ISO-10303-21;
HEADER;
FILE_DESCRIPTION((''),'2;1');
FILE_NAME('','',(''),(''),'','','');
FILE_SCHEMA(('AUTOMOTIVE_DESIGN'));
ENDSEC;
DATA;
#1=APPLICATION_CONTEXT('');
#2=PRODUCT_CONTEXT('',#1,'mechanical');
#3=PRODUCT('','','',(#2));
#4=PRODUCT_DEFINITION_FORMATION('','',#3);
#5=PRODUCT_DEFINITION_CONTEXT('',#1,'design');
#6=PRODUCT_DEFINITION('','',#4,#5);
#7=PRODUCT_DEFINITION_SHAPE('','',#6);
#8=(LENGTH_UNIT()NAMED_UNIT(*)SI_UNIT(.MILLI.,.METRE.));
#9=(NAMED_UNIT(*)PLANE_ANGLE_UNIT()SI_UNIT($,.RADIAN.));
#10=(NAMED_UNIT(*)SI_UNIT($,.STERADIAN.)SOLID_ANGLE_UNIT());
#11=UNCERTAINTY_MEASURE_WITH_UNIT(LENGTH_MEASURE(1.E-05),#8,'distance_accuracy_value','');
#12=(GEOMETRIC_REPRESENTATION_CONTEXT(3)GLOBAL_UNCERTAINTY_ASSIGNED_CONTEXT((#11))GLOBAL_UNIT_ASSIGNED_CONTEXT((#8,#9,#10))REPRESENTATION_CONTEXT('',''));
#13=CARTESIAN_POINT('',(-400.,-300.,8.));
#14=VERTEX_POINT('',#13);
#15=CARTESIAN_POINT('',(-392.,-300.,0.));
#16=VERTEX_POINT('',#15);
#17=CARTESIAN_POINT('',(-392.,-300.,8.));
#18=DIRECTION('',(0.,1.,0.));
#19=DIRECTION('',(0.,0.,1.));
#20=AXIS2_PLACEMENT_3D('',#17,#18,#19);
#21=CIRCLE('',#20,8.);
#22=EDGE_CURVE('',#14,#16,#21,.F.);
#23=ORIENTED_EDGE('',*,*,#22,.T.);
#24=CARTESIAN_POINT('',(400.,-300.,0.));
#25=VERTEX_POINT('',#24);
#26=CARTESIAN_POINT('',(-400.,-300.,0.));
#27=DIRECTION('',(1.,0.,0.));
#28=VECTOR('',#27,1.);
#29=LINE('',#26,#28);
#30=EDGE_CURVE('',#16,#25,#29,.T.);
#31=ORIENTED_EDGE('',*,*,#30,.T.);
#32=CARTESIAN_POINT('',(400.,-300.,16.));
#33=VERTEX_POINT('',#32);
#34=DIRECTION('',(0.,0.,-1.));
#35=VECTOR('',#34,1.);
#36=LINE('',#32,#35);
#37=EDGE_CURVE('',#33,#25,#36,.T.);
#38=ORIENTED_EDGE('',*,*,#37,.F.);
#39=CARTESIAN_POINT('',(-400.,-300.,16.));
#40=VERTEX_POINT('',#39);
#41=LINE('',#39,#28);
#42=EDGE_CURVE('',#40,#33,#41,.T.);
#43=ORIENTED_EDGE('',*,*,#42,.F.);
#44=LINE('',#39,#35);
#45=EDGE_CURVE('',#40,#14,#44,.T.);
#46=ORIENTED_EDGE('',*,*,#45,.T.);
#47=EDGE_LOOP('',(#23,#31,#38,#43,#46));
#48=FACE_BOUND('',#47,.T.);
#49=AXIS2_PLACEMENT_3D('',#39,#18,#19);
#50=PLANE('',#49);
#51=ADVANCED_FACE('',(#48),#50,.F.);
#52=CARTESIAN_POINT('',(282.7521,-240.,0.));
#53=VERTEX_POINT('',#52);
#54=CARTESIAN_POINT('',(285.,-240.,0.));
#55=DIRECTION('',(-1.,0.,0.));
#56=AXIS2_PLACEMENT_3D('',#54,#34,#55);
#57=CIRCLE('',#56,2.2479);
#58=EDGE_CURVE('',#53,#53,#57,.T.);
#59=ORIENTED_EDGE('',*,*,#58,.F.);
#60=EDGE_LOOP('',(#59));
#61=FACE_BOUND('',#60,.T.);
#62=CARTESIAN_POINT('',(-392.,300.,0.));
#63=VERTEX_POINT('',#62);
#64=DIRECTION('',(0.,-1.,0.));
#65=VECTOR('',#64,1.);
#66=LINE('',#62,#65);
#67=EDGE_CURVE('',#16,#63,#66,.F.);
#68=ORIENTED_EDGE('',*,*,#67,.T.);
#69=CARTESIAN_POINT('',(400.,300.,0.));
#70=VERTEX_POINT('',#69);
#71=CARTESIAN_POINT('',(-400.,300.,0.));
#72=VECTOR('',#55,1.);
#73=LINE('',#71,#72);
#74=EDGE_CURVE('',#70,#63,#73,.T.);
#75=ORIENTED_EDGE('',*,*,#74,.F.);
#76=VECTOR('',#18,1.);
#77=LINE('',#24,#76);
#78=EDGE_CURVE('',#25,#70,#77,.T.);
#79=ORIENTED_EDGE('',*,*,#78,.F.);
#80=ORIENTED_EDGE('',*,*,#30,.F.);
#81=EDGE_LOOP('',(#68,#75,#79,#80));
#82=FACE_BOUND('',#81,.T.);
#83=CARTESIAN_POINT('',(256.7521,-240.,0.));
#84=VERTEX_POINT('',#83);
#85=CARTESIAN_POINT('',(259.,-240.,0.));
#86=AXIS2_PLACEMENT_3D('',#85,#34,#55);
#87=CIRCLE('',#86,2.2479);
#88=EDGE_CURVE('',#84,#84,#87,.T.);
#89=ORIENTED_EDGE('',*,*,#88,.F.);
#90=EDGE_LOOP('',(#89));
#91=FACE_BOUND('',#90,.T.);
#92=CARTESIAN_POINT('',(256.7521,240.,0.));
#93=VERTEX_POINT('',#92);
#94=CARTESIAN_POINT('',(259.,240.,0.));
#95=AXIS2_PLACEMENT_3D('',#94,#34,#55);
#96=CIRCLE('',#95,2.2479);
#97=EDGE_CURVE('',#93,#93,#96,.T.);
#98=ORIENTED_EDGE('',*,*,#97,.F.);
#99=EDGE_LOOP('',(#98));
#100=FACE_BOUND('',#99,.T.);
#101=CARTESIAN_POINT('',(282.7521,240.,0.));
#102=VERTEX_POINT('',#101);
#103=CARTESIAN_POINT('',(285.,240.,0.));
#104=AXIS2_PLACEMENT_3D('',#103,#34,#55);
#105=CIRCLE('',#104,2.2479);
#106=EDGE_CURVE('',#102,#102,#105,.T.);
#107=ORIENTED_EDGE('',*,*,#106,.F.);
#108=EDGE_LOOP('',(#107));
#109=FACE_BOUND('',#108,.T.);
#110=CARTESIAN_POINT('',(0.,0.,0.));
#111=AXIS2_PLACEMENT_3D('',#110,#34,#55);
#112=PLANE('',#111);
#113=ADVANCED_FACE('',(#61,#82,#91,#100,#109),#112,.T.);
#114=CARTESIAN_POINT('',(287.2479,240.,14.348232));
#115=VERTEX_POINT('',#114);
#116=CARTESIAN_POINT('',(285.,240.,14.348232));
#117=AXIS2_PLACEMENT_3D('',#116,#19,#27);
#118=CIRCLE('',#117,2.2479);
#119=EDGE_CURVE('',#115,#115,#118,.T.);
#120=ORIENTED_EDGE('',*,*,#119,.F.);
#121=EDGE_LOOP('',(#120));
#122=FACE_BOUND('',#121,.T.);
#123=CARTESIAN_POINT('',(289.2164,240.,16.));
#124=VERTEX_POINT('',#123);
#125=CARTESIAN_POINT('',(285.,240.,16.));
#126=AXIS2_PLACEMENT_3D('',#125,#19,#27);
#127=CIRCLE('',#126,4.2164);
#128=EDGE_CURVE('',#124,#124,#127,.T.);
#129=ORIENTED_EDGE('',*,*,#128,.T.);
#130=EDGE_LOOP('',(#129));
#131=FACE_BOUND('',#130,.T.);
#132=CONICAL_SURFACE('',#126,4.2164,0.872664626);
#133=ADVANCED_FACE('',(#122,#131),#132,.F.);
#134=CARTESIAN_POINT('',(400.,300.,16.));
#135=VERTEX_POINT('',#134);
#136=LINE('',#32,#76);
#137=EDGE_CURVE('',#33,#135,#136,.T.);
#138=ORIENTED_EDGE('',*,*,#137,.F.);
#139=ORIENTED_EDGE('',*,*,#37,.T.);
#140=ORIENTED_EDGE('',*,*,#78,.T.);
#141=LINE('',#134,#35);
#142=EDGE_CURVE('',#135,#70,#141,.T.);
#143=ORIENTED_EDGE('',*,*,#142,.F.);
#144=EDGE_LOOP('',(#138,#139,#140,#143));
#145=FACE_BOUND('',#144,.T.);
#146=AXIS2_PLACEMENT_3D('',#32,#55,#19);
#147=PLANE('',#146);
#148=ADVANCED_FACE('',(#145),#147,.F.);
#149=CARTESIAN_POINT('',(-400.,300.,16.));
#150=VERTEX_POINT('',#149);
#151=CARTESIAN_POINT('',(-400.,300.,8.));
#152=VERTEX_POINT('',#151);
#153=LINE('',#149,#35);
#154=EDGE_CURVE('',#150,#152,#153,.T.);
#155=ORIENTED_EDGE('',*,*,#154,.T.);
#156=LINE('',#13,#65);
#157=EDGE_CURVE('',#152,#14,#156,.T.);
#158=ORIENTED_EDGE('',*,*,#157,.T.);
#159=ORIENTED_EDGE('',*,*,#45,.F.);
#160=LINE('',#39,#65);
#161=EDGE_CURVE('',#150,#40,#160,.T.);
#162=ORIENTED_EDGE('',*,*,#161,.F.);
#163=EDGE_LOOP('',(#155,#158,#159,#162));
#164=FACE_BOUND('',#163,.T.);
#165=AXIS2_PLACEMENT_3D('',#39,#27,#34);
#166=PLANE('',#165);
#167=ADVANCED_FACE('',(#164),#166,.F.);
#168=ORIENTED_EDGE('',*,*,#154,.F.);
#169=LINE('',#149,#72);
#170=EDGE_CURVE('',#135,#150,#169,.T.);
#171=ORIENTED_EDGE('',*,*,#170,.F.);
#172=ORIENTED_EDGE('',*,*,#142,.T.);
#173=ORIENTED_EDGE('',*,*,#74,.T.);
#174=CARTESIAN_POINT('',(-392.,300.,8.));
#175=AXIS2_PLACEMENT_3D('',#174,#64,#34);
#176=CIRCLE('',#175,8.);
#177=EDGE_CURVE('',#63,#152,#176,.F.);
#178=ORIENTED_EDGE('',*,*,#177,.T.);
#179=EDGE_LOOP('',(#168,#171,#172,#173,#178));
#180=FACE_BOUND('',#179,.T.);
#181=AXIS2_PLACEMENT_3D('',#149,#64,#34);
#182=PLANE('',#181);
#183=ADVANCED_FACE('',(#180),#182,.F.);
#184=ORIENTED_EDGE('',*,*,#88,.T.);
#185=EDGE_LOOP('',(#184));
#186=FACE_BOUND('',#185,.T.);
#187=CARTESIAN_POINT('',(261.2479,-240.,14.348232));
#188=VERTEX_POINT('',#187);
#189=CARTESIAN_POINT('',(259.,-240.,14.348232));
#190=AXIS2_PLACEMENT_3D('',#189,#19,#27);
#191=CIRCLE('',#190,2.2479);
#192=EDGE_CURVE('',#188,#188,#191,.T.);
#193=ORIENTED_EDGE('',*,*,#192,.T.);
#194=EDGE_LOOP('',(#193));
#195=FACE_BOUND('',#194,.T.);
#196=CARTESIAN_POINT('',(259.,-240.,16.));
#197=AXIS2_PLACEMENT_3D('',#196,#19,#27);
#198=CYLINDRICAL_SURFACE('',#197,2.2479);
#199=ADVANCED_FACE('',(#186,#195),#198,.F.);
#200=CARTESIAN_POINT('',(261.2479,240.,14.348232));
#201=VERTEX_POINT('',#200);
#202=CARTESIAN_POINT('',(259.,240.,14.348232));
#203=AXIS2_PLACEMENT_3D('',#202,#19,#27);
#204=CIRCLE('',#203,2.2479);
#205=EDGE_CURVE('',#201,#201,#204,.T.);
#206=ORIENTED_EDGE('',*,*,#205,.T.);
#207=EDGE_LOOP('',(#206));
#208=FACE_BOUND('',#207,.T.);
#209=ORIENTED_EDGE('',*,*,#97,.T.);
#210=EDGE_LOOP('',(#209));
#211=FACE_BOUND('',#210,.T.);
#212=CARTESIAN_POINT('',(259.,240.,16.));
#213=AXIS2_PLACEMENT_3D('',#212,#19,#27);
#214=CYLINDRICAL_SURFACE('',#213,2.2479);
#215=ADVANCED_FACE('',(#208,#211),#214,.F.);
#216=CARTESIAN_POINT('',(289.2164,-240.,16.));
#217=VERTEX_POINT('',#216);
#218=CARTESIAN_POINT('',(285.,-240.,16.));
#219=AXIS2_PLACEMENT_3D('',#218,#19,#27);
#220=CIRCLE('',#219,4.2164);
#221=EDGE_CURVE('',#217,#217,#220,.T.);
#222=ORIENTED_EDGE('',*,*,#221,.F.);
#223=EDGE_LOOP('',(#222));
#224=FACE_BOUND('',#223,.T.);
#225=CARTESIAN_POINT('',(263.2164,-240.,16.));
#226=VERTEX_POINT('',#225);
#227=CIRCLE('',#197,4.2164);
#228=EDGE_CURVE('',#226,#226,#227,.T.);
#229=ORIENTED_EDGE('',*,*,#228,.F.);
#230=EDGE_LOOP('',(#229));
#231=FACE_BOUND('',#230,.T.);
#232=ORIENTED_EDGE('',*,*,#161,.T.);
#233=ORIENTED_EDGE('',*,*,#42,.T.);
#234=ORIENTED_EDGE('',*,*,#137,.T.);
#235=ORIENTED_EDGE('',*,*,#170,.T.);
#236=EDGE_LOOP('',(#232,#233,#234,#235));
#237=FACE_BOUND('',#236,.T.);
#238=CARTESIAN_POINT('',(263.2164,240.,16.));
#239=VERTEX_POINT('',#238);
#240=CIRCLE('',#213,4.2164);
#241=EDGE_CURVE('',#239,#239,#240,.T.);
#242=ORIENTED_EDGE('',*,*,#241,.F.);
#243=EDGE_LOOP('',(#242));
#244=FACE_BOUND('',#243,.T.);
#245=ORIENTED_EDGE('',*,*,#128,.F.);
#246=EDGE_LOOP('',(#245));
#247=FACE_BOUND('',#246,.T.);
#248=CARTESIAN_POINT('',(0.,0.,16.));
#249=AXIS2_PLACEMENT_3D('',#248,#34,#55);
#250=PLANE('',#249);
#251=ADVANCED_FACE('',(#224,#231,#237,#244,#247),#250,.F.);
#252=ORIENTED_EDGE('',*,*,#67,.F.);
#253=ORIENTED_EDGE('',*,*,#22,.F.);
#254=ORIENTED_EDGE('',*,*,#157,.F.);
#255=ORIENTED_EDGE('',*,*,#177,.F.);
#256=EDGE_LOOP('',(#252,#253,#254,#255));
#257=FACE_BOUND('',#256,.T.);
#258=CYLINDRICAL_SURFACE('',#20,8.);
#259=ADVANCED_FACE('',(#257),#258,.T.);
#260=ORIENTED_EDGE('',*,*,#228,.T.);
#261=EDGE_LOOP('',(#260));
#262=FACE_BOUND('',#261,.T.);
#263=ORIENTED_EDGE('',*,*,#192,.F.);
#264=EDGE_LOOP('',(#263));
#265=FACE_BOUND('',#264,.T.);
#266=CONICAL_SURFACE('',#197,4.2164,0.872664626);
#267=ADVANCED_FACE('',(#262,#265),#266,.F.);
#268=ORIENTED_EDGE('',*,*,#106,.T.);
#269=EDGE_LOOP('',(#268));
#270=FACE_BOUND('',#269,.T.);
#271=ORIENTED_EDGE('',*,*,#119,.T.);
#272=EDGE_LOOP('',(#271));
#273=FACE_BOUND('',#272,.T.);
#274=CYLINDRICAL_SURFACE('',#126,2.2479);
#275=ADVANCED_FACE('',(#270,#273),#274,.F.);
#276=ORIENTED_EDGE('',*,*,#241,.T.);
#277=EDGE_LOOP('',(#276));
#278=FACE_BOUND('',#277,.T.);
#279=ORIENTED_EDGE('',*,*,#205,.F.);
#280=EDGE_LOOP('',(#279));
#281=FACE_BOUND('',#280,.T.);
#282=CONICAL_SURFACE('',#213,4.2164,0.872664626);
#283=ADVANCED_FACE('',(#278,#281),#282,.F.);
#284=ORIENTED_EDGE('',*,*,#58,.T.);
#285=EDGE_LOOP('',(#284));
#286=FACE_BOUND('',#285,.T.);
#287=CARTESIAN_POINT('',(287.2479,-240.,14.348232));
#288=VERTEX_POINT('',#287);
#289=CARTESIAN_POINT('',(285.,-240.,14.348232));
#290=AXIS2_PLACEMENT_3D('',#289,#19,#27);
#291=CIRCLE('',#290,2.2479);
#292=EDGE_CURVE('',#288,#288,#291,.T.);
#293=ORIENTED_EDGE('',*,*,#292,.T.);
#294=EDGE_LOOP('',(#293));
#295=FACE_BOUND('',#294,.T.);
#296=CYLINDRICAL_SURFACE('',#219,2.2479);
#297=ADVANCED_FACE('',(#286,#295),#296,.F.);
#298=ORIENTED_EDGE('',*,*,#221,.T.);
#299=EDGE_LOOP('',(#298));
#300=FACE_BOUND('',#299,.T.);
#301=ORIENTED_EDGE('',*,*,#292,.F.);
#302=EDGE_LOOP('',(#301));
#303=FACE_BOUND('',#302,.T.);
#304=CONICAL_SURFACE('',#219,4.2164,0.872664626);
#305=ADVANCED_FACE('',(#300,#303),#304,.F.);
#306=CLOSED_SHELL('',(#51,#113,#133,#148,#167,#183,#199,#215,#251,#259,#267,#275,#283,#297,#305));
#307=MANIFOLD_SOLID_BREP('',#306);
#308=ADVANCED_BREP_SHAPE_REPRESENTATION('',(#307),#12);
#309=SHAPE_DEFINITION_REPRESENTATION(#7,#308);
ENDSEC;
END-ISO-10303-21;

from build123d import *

# Parameters (mm, degrees)
SKETCH1_W                                 = 800
SKETCH1_H                                 = 600
BOSS_EXTRUDE1_DEPTH                       = 16
CSK_FOR_8_FLAT_HEAD_MACHINE_SCREW_2_COUNT = 2
CSK_FOR_8_FLAT_HEAD_MACHINE_SCREW_2_PITCH = 26
FILLET1_R                                 = 8


with BuildPart() as part:
    # Sketch1 → Boss-Extrude1 (new body)
    with BuildSketch(Plane.XY):
        Rectangle(SKETCH1_W, SKETCH1_H)
    extrude(amount=BOSS_EXTRUDE1_DEPTH)

    # Sketch3 → CSK for #8 Flat Head Machine Screw (100)1 (revolve, cut)
    with BuildSketch(Plane(origin=(285, -240, 16), x_dir=(0, -1, 0), z_dir=(1, 0, 0))):
        Polygon((0, 0), (0, 26.350674586), (2.2479, 25), (2.2479, 1.651767624), (4.2164, 0), align=None)
    csk_for_8_flat_head_machine_screw_100 = revolve(axis=Axis((285, -240, 22.35), (0, 0, -1)), mode=Mode.SUBTRACT)

    # CSK for _8 Flat Head Machine Screw _ 2: CSK for #8 Flat Head Machine Screw (100)1 ×2
    with Locations(*[(-i * CSK_FOR_8_FLAT_HEAD_MACHINE_SCREW_2_PITCH, 0, 0) for i in range(1, CSK_FOR_8_FLAT_HEAD_MACHINE_SCREW_2_COUNT)]):
        add(csk_for_8_flat_head_machine_screw_100, mode=Mode.SUBTRACT)

    # Mirror1: CSK for #8 Flat Head Machine Screw (100)1 across plane
    add(csk_for_8_flat_head_machine_screw_100.mirror(Plane.ZX), mode=Mode.SUBTRACT)

    # Mirror1 copy 1 sketch → Mirror1 copy 1 (revolve, cut)
    with BuildSketch(Plane(origin=(259, 240, 16), x_dir=(0, 1, 0), z_dir=(1, 0, 0))):
        Polygon((0, 0), (0, -26.350674586), (2.2479, -25), (2.2479, -1.651767624), (4.2164, 0), align=None)
    revolve(axis=Axis((259, 240, 22.35), (0, 0, 1)), mode=Mode.SUBTRACT)

    # Fillet1
    fillet1_edges = [part.edges().sort_by_distance(p)[0] for p in [
        (-400, 0, 0),
    ]]
    fillet(fillet1_edges, radius=FILLET1_R)


solid = part.part
